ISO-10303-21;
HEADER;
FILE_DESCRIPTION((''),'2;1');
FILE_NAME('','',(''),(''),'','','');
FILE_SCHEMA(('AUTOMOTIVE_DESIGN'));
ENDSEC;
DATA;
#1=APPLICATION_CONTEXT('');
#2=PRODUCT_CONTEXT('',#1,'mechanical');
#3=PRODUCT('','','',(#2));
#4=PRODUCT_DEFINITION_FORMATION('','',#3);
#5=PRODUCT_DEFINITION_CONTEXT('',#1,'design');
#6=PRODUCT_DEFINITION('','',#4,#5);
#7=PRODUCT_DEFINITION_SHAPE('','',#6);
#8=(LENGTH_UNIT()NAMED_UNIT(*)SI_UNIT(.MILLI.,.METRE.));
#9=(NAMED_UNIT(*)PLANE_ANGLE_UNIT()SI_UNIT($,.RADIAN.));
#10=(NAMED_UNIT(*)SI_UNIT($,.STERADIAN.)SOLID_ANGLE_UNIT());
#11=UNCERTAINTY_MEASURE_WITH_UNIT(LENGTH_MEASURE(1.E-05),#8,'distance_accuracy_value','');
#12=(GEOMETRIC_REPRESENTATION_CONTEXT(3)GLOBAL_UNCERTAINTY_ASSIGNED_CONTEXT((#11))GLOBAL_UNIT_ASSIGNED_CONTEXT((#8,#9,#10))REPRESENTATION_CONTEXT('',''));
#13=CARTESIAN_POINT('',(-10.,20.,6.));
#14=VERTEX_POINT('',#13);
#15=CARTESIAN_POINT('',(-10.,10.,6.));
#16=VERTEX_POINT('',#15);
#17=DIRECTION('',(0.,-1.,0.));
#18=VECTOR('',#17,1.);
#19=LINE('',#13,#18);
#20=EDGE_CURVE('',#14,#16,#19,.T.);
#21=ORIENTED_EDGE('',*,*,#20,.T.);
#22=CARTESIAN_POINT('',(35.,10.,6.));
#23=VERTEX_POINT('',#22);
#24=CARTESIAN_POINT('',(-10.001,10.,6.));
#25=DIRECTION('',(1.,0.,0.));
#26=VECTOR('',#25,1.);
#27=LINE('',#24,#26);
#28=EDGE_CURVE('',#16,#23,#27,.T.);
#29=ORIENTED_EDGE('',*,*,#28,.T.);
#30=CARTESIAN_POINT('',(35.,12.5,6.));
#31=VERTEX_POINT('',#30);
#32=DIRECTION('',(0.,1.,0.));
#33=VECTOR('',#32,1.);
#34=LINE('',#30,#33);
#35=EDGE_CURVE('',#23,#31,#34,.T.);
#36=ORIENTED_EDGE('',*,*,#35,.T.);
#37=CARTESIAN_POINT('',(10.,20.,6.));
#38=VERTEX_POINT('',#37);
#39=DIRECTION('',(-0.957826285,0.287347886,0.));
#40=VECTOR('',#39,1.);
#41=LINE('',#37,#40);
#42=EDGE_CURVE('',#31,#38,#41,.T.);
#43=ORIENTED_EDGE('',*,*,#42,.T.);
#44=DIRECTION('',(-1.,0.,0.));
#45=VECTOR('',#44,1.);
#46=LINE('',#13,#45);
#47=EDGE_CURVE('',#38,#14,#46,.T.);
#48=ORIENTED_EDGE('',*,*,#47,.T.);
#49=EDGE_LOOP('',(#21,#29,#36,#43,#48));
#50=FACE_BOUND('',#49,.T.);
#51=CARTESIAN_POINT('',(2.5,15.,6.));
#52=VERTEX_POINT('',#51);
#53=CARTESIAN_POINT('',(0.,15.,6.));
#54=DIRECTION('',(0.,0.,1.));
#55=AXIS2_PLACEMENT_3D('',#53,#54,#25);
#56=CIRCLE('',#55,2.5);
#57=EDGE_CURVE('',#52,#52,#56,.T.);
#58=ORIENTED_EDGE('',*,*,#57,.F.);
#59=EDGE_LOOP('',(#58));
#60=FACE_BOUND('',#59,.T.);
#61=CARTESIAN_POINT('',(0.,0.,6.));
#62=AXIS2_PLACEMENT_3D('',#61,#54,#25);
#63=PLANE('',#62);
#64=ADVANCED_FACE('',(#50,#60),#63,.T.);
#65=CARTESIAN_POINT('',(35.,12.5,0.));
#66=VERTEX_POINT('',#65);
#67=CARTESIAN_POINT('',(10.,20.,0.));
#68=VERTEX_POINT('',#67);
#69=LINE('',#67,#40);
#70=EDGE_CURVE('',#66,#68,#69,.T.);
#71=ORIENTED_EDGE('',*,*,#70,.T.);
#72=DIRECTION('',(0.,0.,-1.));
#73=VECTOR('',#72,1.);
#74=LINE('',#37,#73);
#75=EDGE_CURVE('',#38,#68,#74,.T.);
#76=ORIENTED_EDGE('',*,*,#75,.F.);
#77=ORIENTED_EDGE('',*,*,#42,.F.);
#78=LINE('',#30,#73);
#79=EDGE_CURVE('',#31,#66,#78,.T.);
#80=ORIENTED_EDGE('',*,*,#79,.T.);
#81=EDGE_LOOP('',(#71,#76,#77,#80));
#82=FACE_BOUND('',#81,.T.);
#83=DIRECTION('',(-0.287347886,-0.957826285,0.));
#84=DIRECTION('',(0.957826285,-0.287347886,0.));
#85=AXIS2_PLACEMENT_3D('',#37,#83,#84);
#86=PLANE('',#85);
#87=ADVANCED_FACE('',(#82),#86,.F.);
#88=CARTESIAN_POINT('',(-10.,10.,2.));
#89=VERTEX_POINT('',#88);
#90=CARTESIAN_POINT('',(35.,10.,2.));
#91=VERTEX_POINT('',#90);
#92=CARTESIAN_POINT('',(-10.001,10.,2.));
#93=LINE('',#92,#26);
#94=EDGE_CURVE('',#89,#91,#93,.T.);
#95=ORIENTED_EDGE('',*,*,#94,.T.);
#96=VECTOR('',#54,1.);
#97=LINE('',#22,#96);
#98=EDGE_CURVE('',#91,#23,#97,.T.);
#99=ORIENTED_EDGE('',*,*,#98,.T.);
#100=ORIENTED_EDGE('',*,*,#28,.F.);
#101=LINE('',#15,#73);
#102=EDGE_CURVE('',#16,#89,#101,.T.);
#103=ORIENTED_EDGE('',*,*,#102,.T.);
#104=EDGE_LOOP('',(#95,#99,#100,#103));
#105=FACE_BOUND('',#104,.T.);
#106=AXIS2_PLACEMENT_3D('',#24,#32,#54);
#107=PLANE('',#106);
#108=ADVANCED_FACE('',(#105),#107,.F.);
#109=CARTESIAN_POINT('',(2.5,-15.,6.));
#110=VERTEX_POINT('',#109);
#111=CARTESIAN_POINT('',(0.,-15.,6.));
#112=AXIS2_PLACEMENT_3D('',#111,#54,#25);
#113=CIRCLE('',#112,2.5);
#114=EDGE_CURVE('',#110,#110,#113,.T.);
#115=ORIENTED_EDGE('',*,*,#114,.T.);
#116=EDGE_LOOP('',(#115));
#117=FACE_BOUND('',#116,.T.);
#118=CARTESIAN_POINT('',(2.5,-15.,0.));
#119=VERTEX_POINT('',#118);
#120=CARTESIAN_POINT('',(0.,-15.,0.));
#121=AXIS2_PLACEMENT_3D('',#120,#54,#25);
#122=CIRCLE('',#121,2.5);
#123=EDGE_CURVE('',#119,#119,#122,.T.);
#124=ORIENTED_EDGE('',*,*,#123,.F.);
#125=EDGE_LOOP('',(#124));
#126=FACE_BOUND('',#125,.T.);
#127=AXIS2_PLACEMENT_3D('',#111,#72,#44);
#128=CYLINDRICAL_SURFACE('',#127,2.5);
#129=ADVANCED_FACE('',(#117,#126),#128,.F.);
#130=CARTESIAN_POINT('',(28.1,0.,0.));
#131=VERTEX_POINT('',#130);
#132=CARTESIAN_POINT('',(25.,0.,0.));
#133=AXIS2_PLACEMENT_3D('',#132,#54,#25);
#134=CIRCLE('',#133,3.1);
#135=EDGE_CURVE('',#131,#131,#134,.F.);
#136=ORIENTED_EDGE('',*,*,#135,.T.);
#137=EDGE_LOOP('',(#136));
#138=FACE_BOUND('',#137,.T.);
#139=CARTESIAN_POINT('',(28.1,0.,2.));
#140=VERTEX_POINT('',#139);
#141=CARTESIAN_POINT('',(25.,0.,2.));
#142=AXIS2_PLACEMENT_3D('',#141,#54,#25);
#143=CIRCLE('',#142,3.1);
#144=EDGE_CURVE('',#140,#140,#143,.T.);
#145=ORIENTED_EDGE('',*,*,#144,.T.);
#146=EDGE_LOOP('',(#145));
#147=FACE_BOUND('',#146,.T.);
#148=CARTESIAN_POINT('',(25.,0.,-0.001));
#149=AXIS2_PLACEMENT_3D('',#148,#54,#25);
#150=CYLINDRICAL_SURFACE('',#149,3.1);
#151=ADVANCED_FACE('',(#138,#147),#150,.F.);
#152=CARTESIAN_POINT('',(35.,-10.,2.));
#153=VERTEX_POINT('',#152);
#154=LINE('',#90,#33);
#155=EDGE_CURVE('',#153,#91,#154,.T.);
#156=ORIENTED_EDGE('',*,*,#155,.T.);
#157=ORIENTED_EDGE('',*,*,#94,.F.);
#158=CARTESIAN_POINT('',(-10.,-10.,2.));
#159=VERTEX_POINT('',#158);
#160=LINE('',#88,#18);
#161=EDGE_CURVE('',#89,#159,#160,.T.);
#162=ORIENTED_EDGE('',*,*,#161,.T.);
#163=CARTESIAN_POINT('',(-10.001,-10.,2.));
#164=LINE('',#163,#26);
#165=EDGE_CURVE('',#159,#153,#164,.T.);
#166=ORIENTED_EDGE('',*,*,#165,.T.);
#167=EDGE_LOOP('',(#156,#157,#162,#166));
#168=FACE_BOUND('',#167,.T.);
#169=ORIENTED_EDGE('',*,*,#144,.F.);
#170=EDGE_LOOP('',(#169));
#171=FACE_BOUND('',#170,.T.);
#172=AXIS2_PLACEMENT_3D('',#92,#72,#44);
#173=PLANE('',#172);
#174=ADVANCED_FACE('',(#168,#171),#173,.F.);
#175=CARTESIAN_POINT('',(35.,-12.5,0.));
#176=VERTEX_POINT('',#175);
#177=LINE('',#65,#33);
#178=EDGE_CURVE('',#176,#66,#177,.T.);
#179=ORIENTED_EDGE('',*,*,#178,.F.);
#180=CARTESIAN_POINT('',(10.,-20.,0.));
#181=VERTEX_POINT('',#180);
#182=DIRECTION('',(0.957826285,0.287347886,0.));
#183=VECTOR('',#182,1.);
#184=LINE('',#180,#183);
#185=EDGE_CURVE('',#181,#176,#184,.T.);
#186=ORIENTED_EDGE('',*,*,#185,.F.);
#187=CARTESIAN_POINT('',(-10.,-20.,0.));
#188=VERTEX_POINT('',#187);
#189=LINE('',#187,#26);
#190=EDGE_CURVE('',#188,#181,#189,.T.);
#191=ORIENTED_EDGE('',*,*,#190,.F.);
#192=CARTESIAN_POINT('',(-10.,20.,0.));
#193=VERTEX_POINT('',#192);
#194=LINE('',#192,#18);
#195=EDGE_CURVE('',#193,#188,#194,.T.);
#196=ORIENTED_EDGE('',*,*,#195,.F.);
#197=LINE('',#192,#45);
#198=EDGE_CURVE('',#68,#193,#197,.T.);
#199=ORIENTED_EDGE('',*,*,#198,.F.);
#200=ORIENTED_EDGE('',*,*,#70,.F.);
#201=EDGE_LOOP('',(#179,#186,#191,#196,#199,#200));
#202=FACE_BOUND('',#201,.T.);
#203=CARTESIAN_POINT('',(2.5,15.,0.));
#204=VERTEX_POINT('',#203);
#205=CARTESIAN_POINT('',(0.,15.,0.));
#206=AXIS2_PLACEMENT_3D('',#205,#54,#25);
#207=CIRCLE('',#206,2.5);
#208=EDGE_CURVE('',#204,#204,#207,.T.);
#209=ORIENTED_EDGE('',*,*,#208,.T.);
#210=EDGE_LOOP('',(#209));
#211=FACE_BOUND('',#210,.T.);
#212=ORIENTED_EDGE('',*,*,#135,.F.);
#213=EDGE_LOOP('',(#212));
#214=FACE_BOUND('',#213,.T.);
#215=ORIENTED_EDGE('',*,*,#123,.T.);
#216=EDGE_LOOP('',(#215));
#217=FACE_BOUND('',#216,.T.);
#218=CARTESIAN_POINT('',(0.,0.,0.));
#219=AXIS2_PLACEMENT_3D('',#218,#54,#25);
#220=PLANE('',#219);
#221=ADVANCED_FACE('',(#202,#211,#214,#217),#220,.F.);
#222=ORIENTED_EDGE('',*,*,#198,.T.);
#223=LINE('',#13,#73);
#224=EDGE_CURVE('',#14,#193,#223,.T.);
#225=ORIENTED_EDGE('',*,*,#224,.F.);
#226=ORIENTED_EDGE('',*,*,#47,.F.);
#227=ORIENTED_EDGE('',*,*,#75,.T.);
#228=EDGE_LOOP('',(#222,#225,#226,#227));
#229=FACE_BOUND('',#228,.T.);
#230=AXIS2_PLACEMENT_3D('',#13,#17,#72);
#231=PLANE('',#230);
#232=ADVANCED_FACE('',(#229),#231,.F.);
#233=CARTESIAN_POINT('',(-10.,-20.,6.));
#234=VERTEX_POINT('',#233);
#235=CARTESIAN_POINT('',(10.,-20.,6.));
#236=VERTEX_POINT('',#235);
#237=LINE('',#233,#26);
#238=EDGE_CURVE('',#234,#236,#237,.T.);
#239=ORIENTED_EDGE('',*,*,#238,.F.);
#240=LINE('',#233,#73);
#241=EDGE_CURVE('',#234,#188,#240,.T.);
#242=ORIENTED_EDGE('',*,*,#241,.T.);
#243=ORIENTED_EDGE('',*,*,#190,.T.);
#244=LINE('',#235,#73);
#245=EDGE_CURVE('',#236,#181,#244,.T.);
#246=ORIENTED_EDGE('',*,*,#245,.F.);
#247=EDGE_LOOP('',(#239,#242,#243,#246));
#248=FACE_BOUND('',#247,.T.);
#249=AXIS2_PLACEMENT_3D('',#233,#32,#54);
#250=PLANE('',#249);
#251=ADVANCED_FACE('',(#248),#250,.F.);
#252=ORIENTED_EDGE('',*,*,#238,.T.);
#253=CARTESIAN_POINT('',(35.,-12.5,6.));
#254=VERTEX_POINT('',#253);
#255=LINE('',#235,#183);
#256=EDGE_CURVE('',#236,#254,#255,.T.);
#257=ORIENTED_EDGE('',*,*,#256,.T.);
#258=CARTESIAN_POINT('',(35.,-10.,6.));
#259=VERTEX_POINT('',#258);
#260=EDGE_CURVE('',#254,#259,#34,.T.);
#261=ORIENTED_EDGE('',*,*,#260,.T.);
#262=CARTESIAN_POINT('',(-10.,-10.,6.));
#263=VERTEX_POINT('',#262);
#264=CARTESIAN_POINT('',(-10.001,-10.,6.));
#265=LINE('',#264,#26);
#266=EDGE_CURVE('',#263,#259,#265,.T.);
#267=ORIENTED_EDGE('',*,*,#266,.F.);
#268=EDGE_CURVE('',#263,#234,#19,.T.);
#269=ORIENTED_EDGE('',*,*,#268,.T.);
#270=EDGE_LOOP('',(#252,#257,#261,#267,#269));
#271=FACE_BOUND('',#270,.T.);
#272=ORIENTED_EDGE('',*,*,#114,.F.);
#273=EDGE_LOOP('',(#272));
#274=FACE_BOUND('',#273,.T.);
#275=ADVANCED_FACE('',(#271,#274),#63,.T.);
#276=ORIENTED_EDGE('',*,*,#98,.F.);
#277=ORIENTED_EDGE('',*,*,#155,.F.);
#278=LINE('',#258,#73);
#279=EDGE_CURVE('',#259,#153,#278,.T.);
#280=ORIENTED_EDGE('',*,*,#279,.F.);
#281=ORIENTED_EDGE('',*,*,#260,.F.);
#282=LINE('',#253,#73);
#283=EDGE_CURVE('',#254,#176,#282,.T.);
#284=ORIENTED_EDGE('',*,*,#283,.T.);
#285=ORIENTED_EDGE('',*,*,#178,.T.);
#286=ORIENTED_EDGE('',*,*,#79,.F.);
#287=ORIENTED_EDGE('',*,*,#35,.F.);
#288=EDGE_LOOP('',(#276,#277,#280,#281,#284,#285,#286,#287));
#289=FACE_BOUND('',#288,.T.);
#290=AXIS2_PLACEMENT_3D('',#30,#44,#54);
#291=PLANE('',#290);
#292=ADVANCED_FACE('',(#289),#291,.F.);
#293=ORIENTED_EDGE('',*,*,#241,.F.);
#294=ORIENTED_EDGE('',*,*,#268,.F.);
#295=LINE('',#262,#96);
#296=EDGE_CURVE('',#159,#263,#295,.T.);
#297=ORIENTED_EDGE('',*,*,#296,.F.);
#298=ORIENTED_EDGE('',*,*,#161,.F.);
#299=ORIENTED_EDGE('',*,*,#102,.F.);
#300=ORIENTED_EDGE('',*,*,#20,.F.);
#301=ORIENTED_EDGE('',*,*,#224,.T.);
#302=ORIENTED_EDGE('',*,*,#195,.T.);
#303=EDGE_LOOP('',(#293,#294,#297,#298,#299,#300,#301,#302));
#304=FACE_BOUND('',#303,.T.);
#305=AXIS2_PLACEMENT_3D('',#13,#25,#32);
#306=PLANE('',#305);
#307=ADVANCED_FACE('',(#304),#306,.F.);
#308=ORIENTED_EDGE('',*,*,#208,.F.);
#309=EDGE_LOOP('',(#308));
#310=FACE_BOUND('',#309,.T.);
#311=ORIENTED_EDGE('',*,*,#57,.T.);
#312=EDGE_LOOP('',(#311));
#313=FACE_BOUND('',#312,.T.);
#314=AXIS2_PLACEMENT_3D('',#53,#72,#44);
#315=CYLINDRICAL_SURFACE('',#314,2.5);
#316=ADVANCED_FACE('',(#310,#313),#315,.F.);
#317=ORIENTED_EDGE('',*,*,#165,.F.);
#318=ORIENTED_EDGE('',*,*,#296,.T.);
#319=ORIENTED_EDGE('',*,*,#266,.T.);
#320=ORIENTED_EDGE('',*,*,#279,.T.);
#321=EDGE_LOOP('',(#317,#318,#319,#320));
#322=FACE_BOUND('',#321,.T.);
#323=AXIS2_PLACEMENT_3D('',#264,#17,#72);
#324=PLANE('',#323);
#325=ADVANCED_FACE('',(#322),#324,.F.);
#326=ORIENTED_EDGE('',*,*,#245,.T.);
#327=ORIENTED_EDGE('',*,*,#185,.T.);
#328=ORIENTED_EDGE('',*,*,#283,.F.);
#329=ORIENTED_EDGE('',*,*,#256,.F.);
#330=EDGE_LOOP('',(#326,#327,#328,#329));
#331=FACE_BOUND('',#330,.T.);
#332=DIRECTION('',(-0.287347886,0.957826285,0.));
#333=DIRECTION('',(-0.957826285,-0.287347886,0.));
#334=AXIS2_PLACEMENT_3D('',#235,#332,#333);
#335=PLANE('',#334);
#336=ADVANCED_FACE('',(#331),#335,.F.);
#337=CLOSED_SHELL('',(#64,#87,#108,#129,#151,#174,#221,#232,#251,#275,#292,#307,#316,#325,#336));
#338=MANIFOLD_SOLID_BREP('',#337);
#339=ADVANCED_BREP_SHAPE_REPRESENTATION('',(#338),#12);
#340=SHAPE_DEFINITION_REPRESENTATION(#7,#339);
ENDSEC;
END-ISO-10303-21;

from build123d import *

# Parameters (mm, degrees)
SKETCH1_R           = 2.5
BOSS_EXTRUDE1_DEPTH = 6
CUT_EXTRUDE1_REACH  = 51.608
SKETCH2_W           = 4
SKETCH2_H           = 20
CUT_EXTRUDE2_REACH  = 42.509
SKETCH3_R           = 3.1


with BuildPart() as part:
    # Sketch1 → Boss-Extrude1 (new body)
    with BuildSketch(Plane.XY):
        Polygon((10, 20), (35, 12.5), (35, -12.5), (10, -20), (-10, -20), (-10, 20), align=None)
        with Locations((0, -15)):
            Circle(SKETCH1_R, mode=Mode.SUBTRACT)
        with Locations((0, 15)):
            Circle(SKETCH1_R, mode=Mode.SUBTRACT)
    extrude(amount=BOSS_EXTRUDE1_DEPTH)

    # Sketch2 → Cut-Extrude1 (cut, up to next)
    with BuildSketch(Plane(origin=(35, 0, 0), x_dir=(0, 0, -1), z_dir=(1, 0, 0)), mode=Mode.PRIVATE) as cut_extrude1_sk1:
        with Locations((-4, 0)):
            Rectangle(SKETCH2_W, SKETCH2_H)
    cut_extrude1_tool1 = extrude(cut_extrude1_sk1.sketch, amount=-CUT_EXTRUDE1_REACH, mode=Mode.PRIVATE) & part.part
    add(cut_extrude1_tool1.solids().sort_by_distance((35, 0, 4))[0], mode=Mode.SUBTRACT)

    # Sketch3 → Cut-Extrude2 (cut, up to next)
    with BuildSketch(Plane.XY.offset(2), mode=Mode.PRIVATE) as cut_extrude2_sk1:
        with Locations((25, 0)):
            Circle(SKETCH3_R)
    cut_extrude2_tool1 = extrude(cut_extrude2_sk1.sketch, amount=-CUT_EXTRUDE2_REACH, mode=Mode.PRIVATE) & part.part
    add(cut_extrude2_tool1.solids().sort_by_distance((25, 0, 2))[0], mode=Mode.SUBTRACT)


solid = part.part
